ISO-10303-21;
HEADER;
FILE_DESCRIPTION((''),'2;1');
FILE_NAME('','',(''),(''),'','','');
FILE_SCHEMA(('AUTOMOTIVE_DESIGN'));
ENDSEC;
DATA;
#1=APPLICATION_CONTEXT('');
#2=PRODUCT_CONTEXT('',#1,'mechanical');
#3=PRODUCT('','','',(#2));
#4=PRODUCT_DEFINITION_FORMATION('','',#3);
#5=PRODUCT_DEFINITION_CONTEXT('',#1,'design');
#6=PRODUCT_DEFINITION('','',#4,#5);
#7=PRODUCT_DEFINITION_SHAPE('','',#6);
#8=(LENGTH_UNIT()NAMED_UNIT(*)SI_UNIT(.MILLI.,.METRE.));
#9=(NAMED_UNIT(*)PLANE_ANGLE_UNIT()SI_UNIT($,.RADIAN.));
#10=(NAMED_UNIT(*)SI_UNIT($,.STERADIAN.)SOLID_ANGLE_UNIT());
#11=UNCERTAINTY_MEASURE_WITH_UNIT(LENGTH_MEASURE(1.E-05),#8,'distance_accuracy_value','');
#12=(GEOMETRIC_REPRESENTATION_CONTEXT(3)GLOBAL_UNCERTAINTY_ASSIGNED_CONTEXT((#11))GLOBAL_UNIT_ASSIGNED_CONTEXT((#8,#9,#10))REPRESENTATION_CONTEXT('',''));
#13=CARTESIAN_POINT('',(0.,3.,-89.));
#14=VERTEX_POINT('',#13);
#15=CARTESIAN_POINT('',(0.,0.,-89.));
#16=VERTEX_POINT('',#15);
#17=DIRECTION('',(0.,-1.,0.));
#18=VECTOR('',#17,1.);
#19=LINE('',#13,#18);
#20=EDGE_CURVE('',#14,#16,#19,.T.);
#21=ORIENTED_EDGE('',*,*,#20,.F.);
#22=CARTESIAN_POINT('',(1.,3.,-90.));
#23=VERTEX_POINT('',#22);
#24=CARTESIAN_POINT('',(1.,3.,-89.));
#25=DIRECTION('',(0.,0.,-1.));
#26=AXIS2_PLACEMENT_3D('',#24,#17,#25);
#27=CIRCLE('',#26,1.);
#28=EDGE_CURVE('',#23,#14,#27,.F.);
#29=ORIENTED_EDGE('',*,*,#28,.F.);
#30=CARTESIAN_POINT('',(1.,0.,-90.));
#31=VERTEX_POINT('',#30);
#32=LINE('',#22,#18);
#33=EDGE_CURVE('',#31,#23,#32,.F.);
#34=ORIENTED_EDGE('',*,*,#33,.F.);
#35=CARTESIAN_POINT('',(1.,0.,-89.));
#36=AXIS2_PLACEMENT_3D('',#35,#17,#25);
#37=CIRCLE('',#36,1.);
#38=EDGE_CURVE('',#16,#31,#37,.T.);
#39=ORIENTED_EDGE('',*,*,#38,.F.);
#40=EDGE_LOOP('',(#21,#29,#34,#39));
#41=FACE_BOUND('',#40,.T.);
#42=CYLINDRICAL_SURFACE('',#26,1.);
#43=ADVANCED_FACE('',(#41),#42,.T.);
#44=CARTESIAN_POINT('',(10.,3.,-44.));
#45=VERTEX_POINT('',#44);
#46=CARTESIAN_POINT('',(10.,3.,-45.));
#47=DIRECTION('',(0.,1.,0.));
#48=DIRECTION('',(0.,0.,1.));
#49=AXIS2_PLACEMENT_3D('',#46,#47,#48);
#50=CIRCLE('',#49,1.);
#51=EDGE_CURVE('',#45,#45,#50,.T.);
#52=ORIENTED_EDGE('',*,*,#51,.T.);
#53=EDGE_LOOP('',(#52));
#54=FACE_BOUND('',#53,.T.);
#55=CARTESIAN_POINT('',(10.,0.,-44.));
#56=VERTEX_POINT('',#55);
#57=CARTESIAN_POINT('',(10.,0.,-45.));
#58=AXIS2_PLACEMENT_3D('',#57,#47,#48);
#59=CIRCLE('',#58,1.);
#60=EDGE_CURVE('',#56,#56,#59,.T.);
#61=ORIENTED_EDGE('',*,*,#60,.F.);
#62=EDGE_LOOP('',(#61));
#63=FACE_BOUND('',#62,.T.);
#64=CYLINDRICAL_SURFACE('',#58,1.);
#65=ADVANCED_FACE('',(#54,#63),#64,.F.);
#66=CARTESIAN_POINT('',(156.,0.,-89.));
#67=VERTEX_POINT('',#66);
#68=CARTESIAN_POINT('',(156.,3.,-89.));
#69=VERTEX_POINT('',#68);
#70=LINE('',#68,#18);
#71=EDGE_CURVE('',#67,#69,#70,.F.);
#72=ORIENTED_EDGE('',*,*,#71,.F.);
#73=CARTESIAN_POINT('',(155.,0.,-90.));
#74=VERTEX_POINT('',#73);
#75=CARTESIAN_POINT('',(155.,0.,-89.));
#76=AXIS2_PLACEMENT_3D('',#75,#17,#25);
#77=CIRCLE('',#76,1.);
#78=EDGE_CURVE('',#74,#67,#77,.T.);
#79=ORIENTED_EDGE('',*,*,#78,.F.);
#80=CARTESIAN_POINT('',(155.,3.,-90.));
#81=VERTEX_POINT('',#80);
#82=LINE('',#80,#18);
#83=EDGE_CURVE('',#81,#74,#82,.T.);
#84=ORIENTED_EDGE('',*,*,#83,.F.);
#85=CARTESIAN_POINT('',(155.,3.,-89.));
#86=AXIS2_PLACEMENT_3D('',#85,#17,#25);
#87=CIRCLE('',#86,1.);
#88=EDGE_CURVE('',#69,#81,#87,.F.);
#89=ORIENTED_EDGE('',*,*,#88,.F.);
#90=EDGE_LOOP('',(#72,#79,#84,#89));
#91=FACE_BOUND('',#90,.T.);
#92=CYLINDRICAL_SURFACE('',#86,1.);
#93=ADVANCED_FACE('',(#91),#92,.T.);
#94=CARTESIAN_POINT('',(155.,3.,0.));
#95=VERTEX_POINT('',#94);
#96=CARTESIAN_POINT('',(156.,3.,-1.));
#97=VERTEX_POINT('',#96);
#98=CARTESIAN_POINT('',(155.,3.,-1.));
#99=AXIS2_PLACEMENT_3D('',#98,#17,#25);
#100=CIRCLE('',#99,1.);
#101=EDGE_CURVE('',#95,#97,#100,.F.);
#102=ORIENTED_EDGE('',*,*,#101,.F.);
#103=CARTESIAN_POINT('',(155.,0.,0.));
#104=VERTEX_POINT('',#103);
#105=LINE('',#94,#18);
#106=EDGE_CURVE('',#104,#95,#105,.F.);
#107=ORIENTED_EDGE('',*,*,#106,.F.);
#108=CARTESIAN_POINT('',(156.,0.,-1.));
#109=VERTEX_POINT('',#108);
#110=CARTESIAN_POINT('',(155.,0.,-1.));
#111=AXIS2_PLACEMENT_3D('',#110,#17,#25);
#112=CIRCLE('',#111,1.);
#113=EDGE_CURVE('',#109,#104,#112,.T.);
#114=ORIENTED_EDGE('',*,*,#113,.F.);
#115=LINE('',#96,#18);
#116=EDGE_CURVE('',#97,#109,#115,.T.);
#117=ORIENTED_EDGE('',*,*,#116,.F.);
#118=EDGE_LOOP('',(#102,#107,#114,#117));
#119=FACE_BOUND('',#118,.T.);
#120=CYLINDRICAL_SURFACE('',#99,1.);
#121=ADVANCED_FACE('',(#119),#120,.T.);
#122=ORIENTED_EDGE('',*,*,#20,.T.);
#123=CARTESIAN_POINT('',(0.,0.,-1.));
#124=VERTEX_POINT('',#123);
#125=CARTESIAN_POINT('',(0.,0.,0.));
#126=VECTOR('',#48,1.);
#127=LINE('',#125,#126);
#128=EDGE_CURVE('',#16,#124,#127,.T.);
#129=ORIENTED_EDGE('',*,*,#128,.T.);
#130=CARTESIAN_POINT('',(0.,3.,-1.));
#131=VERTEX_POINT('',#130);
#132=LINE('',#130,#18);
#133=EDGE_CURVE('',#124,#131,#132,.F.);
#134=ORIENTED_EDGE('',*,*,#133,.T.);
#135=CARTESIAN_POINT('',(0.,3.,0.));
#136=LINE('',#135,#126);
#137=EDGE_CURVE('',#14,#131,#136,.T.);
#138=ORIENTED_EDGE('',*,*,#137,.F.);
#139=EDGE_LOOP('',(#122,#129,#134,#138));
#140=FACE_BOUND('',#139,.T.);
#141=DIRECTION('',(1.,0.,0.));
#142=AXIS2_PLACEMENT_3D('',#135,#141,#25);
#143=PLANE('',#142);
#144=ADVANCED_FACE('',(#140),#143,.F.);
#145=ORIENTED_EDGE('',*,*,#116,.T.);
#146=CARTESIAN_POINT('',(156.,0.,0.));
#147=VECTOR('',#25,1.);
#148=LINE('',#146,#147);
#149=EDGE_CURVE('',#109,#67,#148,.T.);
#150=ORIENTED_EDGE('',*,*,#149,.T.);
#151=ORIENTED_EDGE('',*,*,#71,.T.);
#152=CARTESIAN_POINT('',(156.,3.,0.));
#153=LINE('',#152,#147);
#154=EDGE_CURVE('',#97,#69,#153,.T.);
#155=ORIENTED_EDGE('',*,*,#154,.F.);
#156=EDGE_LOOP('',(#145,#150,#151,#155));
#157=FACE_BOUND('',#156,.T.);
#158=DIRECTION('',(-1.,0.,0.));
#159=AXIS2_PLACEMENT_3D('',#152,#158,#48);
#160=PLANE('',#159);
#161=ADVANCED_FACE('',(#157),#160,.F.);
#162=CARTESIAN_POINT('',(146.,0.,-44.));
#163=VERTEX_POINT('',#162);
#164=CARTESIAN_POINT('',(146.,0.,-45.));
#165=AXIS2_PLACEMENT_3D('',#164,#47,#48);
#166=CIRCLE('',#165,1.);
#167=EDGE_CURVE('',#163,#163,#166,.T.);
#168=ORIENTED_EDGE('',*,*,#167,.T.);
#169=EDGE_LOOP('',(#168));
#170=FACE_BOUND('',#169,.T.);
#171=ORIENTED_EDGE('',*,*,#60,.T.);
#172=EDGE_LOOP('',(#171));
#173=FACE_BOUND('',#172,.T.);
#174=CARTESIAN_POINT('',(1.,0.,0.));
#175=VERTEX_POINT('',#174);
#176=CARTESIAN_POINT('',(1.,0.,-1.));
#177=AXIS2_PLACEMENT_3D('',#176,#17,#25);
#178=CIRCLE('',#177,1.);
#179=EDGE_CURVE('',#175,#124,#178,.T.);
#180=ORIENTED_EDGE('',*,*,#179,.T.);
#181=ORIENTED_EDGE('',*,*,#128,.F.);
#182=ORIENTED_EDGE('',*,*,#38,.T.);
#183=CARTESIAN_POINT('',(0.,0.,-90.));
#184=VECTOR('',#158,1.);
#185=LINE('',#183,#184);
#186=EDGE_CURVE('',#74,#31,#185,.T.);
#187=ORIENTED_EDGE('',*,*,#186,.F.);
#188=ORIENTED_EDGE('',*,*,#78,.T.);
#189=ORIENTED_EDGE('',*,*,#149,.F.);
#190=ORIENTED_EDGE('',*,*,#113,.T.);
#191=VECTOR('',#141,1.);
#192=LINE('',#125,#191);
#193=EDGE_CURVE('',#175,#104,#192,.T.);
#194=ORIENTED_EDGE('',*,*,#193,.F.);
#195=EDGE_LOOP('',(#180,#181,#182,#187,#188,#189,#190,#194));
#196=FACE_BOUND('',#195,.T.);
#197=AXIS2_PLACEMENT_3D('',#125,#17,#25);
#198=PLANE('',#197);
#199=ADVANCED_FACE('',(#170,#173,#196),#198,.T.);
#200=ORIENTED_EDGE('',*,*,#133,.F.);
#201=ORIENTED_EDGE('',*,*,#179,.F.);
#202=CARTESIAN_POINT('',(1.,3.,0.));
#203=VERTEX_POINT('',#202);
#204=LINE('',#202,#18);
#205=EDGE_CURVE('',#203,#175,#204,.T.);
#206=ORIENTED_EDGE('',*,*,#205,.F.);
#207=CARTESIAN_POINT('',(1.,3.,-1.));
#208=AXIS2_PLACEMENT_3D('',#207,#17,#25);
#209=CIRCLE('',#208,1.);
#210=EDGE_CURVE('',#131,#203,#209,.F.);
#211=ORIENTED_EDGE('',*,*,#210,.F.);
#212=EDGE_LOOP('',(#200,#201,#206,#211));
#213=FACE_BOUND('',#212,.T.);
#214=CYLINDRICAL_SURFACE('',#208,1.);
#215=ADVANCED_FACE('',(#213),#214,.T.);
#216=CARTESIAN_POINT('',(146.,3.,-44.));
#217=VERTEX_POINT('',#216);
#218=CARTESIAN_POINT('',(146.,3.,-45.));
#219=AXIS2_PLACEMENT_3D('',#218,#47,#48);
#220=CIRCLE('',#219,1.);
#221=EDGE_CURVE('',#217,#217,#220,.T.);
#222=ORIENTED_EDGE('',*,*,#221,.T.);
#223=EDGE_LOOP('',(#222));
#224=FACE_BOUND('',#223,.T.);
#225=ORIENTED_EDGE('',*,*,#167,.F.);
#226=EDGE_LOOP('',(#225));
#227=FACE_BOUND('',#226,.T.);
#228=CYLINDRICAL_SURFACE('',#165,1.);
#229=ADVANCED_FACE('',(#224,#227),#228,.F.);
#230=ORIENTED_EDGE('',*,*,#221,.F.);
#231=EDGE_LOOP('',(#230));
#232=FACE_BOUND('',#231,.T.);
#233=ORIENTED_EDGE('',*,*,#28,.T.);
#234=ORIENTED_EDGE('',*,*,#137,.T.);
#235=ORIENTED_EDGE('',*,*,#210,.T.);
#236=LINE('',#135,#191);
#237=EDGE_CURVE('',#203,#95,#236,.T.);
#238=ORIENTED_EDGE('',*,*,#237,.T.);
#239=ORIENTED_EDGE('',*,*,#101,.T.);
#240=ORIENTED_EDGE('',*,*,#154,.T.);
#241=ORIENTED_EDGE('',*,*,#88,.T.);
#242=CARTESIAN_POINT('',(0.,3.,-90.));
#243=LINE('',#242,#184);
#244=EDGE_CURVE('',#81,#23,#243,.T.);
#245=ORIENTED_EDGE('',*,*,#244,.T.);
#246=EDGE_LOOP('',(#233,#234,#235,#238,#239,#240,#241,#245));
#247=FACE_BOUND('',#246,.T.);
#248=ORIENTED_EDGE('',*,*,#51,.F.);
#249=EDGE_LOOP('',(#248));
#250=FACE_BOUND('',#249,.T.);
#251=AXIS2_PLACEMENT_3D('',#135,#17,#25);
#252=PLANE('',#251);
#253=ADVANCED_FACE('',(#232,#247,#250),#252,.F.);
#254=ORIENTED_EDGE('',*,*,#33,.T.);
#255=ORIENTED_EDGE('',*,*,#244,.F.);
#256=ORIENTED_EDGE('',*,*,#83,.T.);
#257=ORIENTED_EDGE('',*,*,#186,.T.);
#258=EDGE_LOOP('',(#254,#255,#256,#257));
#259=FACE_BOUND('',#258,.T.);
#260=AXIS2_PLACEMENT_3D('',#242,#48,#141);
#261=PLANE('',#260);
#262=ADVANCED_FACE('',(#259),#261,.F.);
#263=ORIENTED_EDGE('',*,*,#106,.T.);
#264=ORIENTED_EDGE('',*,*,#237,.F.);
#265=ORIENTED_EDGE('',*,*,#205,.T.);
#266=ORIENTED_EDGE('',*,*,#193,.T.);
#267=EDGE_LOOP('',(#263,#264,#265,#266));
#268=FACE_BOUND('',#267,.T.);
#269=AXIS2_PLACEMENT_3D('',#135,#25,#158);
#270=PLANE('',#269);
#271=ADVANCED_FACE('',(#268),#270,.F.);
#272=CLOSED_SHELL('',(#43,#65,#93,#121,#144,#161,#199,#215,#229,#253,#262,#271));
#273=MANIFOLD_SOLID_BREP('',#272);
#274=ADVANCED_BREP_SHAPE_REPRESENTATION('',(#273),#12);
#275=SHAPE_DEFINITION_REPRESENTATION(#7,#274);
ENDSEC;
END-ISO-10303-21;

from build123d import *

# Parameters (mm, degrees)
SKETCH1_W           = 156
SKETCH1_H           = 90
BOSS_EXTRUDE1_DEPTH = 3
FILLET1_R           = 1
SKETCH2_R           = 1
CUT_EXTRUDE1_DEPTH  = 4


with BuildPart() as part:
    # Sketch1 → Boss-Extrude1 (new body)
    with BuildSketch(Plane(origin=(0, 0, 0), x_dir=(1, 0, 0), z_dir=(0, 1, 0))):
        with Locations((78, 45)):
            Rectangle(SKETCH1_W, SKETCH1_H)
    extrude(amount=BOSS_EXTRUDE1_DEPTH)

    # Fillet1
    fillet1_edges = [part.edges().sort_by_distance(p)[0] for p in [
        (0, 1.5, -90),
        (156, 1.5, -90),
        (156, 1.5, 0),
        (0, 1.5, 0),
    ]]
    fillet(fillet1_edges, radius=FILLET1_R)

    # Sketch2 → Cut-Extrude1 (cut, through all)
    with BuildSketch(Plane(origin=(0, 3, 0), x_dir=(1, 0, 0), z_dir=(0, 1, 0))):
        with Locations((146, 45)):
            Circle(SKETCH2_R)
        with Locations((10, 45)):
            Circle(SKETCH2_R)
    extrude(amount=-CUT_EXTRUDE1_DEPTH, mode=Mode.SUBTRACT)


solid = part.part
